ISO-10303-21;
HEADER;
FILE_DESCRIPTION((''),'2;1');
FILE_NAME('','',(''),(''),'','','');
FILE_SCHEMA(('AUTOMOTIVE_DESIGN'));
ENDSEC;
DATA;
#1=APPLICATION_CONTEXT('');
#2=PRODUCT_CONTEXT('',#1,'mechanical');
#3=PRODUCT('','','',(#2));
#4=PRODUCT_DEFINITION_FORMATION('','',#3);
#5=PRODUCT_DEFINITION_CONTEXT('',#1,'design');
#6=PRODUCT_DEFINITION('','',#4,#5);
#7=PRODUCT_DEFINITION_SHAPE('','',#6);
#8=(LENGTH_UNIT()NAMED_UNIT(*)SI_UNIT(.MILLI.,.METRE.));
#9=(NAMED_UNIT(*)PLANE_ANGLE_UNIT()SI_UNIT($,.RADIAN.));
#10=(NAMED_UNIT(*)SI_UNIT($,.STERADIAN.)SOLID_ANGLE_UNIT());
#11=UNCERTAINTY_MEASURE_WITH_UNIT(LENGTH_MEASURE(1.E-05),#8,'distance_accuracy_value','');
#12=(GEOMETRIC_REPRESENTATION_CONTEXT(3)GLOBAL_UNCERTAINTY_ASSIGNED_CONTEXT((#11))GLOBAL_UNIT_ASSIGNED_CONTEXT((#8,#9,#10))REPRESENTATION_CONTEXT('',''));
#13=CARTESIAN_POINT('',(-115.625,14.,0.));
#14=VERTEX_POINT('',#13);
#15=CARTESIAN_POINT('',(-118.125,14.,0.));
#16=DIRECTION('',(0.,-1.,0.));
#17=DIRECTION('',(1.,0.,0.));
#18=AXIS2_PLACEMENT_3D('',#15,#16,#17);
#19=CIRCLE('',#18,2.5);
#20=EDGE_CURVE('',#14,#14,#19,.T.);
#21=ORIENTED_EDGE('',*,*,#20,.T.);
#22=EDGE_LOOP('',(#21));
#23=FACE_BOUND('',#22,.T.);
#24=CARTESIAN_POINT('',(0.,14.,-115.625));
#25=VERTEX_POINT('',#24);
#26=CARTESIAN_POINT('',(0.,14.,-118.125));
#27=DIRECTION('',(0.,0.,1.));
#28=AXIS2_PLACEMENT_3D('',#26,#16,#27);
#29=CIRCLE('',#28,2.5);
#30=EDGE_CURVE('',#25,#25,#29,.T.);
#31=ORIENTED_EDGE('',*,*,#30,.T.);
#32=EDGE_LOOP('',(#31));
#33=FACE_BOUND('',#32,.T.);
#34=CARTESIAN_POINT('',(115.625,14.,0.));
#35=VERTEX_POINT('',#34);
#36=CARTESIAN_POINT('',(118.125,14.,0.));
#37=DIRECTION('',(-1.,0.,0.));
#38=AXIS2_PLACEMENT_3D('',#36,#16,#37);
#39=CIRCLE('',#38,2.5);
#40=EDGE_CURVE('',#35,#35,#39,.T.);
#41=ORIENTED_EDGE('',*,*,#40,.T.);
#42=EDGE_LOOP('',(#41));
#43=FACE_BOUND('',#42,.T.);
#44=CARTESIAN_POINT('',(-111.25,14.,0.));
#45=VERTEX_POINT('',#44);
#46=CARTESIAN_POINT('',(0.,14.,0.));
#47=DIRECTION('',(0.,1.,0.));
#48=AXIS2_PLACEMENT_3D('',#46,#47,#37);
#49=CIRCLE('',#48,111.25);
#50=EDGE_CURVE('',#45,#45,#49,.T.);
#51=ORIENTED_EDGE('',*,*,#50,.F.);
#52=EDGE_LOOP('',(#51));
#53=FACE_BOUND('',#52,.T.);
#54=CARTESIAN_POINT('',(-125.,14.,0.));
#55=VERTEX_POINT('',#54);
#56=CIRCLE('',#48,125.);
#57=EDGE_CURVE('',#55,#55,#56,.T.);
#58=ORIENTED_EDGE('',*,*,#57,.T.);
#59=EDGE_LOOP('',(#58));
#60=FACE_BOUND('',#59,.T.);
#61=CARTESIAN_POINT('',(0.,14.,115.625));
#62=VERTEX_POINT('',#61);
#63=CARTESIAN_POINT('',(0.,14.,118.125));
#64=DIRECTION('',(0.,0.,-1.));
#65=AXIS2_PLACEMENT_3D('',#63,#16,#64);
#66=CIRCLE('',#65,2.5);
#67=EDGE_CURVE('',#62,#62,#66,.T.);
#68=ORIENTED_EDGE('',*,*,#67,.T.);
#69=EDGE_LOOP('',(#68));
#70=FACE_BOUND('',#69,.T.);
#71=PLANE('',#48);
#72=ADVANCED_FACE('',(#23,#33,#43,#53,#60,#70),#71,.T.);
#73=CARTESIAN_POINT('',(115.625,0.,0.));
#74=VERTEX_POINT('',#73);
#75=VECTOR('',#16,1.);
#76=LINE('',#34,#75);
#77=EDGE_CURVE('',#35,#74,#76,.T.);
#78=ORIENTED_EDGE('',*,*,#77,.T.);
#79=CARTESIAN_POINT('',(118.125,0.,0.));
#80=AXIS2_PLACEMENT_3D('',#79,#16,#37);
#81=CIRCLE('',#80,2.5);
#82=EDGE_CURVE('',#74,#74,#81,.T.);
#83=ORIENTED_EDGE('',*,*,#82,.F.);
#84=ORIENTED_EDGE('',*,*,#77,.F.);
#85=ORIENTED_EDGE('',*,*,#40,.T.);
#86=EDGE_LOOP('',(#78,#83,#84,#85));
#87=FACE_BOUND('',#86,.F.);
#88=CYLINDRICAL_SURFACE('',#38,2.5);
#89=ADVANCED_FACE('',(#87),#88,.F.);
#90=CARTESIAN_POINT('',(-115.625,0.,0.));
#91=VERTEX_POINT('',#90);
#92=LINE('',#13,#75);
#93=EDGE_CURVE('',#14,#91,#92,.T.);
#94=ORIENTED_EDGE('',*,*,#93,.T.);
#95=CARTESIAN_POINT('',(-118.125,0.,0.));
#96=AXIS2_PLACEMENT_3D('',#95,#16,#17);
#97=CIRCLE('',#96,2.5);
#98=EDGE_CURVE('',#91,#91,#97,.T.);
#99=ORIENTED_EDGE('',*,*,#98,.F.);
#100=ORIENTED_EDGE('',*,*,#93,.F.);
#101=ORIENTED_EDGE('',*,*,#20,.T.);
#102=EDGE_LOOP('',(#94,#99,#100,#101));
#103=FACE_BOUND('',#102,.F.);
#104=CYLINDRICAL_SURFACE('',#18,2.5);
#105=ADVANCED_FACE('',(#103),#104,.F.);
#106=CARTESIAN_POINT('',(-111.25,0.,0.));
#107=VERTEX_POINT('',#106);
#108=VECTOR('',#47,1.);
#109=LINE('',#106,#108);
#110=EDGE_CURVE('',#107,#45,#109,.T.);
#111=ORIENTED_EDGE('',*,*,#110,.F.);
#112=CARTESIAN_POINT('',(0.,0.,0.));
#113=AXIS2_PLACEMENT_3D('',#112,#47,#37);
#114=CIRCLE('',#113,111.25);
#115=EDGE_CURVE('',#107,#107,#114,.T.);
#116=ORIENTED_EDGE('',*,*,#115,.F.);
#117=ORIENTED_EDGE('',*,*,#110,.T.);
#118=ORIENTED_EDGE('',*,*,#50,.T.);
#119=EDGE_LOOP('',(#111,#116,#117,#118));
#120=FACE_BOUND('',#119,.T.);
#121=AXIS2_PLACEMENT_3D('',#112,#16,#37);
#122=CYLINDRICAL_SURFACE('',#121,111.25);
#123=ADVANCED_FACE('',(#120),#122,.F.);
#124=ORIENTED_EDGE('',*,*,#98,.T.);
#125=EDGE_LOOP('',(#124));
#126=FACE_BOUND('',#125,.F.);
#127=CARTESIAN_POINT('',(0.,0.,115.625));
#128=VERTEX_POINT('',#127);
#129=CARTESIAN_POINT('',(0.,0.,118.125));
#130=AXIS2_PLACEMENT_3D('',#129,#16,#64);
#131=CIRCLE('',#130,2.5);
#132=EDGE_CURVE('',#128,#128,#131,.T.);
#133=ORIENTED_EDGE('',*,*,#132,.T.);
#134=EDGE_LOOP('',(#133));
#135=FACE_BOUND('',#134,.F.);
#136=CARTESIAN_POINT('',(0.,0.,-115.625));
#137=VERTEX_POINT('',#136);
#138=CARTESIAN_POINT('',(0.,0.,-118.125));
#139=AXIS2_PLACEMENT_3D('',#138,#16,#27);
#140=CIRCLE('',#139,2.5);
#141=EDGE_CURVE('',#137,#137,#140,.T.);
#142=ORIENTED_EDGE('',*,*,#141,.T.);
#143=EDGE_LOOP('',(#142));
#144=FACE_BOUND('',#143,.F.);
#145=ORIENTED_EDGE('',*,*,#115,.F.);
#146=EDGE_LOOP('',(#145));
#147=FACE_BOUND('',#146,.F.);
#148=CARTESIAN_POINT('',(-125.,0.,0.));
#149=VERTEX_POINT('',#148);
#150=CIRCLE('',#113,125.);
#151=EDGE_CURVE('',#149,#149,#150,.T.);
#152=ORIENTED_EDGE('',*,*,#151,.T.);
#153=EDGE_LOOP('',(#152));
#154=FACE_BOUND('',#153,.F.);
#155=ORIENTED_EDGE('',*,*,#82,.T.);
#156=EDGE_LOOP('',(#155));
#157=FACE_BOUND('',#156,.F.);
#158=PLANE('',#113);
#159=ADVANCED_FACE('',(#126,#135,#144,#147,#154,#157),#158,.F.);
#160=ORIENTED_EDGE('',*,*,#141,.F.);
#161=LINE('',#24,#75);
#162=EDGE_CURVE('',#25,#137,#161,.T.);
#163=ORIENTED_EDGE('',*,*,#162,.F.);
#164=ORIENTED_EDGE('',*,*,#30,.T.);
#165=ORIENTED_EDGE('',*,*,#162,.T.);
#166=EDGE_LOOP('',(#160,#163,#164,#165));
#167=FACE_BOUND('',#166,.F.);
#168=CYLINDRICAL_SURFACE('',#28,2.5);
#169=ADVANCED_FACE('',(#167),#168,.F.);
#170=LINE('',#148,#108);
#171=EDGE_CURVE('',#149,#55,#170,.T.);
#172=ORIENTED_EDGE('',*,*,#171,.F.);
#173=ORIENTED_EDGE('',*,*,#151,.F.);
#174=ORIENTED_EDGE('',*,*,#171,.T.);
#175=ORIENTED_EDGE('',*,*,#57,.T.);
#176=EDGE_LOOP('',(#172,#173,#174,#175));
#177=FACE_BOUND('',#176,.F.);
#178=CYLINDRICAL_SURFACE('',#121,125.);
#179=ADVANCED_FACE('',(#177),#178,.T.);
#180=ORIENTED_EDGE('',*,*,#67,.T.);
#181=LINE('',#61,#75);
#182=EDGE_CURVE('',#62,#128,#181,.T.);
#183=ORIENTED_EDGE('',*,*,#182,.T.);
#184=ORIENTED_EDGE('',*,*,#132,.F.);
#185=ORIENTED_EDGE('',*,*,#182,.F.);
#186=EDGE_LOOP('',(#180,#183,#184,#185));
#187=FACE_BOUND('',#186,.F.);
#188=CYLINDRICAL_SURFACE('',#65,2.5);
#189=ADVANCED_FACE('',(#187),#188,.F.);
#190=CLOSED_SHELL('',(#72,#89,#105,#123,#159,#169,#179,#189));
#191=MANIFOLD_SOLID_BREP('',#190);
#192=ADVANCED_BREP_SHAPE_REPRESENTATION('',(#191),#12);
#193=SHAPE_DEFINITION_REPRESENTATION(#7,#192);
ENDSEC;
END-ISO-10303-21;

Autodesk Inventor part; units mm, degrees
ref_plane "YZ Plane" through (0, 0, 0) normal (1, 0, 0) x (0, 1, 0)
ref_plane "XZ Plane" through (0, 0, 0) normal (0, 1, 0) x (-1, 0, 0)
ref_plane "XY Plane" through (0, 0, 0) normal (0, 0, 1) x (1, 0, 0)
sketch "Sketch1" plane through (0, 0, 0) normal (0, 1, 0) x (-1, 0, 0)
  circle A0 centre (0, 0) radius 125
  circle A1 centre (0, 0) radius 111.25
  dimension "d0" = 250
  dimension "d1" = 222.5
extrude "Extrusion1" add sketch "Sketch1" along normal blind 14
sketch "Sketch2" plane through (0, 14, 0) normal (0, 1, 0) x (1, 0, 0)
  circle A0 centre (0, 0) radius 118.125
  point P0 (0, 118.125)
  dimension "d4" = 236.25
hole "Hole1" at (0, 14, -118.125) direction (0, -1, 0) diameter 5 end through all
pattern_circular "Circular Pattern1" count 4 over 360 about axis through (0, -10, 0) along (0, 1, 0) of "Hole1"
sketch "Sketch3" plane through (0, 14, 0) normal (0, 1, 0) x (1, 0, 0)
  point P0 (0, 0)
properties part number "BearingTableGear"
